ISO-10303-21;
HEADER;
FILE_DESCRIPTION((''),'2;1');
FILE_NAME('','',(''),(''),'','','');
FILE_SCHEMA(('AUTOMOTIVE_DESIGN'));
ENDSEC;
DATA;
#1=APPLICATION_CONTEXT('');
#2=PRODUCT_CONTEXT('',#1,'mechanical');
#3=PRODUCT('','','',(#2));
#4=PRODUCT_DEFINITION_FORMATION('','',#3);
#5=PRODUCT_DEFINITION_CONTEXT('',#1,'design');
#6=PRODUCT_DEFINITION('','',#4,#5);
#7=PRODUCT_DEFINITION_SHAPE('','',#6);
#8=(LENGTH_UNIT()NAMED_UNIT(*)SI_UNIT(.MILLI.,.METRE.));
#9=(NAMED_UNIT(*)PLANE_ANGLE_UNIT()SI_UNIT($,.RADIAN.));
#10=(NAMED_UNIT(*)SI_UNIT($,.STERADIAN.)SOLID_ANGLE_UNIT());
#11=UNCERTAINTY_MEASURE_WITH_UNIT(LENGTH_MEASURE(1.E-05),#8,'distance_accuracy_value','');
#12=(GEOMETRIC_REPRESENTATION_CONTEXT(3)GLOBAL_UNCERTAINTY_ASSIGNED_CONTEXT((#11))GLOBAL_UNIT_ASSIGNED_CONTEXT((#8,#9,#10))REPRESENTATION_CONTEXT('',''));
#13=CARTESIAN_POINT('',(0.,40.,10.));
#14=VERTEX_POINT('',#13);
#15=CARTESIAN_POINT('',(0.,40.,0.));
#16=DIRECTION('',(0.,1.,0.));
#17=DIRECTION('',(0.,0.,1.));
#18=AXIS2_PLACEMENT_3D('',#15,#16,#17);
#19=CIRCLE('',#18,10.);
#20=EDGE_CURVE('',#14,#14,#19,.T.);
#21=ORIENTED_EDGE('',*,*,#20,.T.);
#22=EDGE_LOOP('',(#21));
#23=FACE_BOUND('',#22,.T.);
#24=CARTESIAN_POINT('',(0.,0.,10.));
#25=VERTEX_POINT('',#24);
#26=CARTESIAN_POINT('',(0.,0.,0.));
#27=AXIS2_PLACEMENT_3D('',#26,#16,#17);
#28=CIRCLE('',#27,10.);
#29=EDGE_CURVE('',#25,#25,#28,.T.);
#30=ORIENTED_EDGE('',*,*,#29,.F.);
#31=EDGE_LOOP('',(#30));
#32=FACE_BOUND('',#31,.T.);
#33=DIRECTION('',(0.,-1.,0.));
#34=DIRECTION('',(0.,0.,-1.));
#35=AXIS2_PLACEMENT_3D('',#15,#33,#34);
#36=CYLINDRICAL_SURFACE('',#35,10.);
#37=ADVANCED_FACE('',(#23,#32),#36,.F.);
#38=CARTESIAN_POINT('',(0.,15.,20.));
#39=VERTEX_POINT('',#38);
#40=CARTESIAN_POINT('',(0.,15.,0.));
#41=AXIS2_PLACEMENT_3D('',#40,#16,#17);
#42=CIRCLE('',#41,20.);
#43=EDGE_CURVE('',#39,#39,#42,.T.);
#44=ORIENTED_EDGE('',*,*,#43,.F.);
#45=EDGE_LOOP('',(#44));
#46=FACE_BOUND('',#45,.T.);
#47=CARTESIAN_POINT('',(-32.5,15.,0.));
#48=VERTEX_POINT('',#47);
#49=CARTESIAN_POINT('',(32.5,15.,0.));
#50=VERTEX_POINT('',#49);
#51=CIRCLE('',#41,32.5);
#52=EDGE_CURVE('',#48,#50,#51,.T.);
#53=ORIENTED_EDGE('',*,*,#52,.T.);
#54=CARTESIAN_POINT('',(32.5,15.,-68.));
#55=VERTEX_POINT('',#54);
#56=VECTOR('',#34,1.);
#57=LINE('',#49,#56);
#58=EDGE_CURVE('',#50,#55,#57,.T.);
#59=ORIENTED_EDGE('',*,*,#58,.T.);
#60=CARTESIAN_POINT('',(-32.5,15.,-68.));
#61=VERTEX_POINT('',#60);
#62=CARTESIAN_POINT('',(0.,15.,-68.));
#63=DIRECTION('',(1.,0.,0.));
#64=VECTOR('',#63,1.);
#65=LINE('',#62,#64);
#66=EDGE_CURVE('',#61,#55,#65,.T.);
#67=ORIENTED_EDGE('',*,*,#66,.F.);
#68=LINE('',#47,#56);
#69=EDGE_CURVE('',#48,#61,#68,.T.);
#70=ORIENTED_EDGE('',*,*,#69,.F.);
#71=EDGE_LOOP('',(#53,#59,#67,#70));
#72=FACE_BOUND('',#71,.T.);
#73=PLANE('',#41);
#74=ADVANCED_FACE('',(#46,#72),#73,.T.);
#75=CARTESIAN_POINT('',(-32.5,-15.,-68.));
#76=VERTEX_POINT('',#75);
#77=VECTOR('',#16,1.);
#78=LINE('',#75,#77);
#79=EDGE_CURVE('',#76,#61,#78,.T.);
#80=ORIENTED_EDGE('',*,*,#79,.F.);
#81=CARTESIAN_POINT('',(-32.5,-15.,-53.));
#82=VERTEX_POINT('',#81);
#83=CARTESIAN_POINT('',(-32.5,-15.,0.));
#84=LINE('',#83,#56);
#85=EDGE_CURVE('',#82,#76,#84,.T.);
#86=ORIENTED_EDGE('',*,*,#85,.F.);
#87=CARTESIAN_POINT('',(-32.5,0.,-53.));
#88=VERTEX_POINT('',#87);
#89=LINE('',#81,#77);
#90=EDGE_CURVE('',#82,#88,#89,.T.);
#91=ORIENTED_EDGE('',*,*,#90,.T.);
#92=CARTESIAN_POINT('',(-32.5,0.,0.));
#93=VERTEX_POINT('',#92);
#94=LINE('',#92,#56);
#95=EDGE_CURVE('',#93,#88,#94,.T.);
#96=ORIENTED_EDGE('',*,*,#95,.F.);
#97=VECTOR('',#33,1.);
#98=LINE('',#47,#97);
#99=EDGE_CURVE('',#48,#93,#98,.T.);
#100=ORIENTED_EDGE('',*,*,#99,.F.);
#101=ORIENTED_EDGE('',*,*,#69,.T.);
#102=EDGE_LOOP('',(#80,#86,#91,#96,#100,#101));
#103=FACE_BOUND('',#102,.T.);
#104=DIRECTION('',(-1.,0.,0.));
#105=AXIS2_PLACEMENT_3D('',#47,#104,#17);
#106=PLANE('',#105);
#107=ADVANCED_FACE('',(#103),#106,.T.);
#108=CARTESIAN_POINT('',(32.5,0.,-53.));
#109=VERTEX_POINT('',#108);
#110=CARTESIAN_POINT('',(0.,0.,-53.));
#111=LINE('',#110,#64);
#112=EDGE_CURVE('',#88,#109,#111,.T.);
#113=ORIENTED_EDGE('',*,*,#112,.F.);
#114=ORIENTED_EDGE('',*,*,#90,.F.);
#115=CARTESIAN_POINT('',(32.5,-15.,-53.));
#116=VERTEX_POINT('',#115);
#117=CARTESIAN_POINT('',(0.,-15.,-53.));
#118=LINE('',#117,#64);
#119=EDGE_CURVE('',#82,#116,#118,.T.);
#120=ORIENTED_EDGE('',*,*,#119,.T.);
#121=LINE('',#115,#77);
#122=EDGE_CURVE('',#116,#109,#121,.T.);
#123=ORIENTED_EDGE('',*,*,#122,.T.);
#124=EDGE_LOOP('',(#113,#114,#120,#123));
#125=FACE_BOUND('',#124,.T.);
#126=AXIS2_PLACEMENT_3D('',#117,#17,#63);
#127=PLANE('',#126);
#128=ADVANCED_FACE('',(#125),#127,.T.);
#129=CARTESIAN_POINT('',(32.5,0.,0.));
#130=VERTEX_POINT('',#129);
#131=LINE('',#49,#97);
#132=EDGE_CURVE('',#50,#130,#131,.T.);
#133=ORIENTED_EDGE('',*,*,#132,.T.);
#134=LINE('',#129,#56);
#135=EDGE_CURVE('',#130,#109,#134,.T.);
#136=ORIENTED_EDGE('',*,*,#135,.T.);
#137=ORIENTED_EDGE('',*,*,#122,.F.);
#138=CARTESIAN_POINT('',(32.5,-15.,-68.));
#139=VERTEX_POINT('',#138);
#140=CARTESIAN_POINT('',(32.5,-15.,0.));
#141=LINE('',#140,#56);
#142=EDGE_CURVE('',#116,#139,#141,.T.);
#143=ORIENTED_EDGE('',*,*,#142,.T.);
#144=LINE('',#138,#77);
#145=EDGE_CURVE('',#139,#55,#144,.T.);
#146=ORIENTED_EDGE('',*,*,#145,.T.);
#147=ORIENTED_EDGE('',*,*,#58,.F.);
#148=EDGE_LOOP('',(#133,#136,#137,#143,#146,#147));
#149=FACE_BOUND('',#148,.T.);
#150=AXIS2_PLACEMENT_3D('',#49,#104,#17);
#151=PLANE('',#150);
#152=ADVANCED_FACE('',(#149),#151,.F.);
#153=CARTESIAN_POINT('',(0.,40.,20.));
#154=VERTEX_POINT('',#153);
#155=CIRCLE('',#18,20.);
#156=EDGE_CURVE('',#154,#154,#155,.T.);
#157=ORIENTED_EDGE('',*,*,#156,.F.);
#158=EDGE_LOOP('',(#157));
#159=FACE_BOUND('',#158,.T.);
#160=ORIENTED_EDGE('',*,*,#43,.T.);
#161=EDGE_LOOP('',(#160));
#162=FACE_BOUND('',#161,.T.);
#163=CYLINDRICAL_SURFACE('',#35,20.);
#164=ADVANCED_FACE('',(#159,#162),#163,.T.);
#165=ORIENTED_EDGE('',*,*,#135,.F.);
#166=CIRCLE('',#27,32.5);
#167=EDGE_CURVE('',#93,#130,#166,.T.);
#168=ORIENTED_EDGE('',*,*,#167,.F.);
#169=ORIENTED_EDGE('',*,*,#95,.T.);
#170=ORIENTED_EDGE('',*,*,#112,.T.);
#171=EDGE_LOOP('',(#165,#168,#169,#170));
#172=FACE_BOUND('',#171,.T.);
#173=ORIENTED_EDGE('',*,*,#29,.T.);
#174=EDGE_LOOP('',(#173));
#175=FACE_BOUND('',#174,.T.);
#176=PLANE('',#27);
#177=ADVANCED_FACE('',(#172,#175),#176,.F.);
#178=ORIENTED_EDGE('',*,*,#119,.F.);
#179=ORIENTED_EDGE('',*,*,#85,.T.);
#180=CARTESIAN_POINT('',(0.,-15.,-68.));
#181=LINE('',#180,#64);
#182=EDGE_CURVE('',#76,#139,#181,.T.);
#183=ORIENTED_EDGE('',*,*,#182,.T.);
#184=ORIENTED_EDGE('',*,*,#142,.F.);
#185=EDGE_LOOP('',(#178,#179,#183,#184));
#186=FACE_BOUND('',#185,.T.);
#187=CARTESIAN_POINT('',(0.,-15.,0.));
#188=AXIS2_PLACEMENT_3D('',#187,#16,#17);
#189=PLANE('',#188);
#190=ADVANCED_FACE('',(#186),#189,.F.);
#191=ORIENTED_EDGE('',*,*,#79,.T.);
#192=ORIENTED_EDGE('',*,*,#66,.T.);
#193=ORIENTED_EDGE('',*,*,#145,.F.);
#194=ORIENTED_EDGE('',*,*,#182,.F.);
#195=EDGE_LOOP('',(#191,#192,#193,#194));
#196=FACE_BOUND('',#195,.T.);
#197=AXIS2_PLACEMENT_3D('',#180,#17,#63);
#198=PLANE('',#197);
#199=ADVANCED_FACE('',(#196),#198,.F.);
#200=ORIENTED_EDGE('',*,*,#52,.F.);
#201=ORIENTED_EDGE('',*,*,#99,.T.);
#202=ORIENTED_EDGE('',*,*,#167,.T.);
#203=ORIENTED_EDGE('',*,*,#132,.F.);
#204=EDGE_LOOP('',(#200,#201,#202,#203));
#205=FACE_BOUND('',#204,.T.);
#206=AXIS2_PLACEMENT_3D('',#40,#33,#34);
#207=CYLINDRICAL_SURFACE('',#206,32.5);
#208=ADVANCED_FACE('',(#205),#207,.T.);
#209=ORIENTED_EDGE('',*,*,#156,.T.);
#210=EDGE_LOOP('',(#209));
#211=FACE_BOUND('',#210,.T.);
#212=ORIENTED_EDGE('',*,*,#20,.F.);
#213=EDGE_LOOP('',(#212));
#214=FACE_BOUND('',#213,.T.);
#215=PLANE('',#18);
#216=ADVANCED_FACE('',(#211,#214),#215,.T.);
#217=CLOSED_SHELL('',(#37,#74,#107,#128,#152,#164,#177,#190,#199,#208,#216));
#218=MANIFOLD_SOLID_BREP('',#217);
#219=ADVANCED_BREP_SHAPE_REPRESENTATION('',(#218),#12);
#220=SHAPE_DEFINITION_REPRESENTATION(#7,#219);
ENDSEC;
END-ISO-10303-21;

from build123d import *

# Parameters (mm, degrees)
SKETCH3_R                = 20
SKETCH3_R_2              = 10
BOSS_EXTRUDE4_DEPTH      = 40
SKETCH3_7_R              = 20
BOSS_EXTRUDE5_DEPTH      = 15
BOSS_EXTRUDE6_DEPTH      = 15
BOSS_EXTRUDE6_DEPTH_BACK = 15
SKETCH3_8_W              = 65
SKETCH3_8_H              = 15


with BuildPart() as part:
    # Sketch3 → Boss-Extrude4 (new body)
    with BuildSketch(Plane(origin=(0, 0, 0), x_dir=(1, 0, 0), z_dir=(0, 1, 0))):
        Circle(SKETCH3_R)
        Circle(SKETCH3_R_2, mode=Mode.SUBTRACT)
    extrude(amount=BOSS_EXTRUDE4_DEPTH)

    # Sketch3<7> → Boss-Extrude5 (add)
    with BuildSketch(Plane(origin=(0, 0, 0), x_dir=(1, 0, 0), z_dir=(0, 1, 0))):
        with BuildLine():
            Line((32.5, 53), (-32.5, 53))
            Line((-32.5, 53), (-32.5, 0))
            ThreePointArc((-32.5, 0), (0, -32.5), (32.5, 0))
            Line((32.5, 0), (32.5, 53))
        make_face()
        Circle(SKETCH3_7_R, mode=Mode.SUBTRACT)
    extrude(amount=BOSS_EXTRUDE5_DEPTH)

    # Sketch3<8> → Boss-Extrude6 (add, two sides: drawn at the far end of the back side and taken through both)
    with BuildSketch(Plane(origin=(0, 0, 0), x_dir=(1, 0, 0), z_dir=(0, 1, 0)).offset(-BOSS_EXTRUDE6_DEPTH_BACK)):
        with Locations((0, 60.5)):
            Rectangle(SKETCH3_8_W, SKETCH3_8_H)
    extrude(amount=BOSS_EXTRUDE6_DEPTH + BOSS_EXTRUDE6_DEPTH_BACK)


solid = part.part
